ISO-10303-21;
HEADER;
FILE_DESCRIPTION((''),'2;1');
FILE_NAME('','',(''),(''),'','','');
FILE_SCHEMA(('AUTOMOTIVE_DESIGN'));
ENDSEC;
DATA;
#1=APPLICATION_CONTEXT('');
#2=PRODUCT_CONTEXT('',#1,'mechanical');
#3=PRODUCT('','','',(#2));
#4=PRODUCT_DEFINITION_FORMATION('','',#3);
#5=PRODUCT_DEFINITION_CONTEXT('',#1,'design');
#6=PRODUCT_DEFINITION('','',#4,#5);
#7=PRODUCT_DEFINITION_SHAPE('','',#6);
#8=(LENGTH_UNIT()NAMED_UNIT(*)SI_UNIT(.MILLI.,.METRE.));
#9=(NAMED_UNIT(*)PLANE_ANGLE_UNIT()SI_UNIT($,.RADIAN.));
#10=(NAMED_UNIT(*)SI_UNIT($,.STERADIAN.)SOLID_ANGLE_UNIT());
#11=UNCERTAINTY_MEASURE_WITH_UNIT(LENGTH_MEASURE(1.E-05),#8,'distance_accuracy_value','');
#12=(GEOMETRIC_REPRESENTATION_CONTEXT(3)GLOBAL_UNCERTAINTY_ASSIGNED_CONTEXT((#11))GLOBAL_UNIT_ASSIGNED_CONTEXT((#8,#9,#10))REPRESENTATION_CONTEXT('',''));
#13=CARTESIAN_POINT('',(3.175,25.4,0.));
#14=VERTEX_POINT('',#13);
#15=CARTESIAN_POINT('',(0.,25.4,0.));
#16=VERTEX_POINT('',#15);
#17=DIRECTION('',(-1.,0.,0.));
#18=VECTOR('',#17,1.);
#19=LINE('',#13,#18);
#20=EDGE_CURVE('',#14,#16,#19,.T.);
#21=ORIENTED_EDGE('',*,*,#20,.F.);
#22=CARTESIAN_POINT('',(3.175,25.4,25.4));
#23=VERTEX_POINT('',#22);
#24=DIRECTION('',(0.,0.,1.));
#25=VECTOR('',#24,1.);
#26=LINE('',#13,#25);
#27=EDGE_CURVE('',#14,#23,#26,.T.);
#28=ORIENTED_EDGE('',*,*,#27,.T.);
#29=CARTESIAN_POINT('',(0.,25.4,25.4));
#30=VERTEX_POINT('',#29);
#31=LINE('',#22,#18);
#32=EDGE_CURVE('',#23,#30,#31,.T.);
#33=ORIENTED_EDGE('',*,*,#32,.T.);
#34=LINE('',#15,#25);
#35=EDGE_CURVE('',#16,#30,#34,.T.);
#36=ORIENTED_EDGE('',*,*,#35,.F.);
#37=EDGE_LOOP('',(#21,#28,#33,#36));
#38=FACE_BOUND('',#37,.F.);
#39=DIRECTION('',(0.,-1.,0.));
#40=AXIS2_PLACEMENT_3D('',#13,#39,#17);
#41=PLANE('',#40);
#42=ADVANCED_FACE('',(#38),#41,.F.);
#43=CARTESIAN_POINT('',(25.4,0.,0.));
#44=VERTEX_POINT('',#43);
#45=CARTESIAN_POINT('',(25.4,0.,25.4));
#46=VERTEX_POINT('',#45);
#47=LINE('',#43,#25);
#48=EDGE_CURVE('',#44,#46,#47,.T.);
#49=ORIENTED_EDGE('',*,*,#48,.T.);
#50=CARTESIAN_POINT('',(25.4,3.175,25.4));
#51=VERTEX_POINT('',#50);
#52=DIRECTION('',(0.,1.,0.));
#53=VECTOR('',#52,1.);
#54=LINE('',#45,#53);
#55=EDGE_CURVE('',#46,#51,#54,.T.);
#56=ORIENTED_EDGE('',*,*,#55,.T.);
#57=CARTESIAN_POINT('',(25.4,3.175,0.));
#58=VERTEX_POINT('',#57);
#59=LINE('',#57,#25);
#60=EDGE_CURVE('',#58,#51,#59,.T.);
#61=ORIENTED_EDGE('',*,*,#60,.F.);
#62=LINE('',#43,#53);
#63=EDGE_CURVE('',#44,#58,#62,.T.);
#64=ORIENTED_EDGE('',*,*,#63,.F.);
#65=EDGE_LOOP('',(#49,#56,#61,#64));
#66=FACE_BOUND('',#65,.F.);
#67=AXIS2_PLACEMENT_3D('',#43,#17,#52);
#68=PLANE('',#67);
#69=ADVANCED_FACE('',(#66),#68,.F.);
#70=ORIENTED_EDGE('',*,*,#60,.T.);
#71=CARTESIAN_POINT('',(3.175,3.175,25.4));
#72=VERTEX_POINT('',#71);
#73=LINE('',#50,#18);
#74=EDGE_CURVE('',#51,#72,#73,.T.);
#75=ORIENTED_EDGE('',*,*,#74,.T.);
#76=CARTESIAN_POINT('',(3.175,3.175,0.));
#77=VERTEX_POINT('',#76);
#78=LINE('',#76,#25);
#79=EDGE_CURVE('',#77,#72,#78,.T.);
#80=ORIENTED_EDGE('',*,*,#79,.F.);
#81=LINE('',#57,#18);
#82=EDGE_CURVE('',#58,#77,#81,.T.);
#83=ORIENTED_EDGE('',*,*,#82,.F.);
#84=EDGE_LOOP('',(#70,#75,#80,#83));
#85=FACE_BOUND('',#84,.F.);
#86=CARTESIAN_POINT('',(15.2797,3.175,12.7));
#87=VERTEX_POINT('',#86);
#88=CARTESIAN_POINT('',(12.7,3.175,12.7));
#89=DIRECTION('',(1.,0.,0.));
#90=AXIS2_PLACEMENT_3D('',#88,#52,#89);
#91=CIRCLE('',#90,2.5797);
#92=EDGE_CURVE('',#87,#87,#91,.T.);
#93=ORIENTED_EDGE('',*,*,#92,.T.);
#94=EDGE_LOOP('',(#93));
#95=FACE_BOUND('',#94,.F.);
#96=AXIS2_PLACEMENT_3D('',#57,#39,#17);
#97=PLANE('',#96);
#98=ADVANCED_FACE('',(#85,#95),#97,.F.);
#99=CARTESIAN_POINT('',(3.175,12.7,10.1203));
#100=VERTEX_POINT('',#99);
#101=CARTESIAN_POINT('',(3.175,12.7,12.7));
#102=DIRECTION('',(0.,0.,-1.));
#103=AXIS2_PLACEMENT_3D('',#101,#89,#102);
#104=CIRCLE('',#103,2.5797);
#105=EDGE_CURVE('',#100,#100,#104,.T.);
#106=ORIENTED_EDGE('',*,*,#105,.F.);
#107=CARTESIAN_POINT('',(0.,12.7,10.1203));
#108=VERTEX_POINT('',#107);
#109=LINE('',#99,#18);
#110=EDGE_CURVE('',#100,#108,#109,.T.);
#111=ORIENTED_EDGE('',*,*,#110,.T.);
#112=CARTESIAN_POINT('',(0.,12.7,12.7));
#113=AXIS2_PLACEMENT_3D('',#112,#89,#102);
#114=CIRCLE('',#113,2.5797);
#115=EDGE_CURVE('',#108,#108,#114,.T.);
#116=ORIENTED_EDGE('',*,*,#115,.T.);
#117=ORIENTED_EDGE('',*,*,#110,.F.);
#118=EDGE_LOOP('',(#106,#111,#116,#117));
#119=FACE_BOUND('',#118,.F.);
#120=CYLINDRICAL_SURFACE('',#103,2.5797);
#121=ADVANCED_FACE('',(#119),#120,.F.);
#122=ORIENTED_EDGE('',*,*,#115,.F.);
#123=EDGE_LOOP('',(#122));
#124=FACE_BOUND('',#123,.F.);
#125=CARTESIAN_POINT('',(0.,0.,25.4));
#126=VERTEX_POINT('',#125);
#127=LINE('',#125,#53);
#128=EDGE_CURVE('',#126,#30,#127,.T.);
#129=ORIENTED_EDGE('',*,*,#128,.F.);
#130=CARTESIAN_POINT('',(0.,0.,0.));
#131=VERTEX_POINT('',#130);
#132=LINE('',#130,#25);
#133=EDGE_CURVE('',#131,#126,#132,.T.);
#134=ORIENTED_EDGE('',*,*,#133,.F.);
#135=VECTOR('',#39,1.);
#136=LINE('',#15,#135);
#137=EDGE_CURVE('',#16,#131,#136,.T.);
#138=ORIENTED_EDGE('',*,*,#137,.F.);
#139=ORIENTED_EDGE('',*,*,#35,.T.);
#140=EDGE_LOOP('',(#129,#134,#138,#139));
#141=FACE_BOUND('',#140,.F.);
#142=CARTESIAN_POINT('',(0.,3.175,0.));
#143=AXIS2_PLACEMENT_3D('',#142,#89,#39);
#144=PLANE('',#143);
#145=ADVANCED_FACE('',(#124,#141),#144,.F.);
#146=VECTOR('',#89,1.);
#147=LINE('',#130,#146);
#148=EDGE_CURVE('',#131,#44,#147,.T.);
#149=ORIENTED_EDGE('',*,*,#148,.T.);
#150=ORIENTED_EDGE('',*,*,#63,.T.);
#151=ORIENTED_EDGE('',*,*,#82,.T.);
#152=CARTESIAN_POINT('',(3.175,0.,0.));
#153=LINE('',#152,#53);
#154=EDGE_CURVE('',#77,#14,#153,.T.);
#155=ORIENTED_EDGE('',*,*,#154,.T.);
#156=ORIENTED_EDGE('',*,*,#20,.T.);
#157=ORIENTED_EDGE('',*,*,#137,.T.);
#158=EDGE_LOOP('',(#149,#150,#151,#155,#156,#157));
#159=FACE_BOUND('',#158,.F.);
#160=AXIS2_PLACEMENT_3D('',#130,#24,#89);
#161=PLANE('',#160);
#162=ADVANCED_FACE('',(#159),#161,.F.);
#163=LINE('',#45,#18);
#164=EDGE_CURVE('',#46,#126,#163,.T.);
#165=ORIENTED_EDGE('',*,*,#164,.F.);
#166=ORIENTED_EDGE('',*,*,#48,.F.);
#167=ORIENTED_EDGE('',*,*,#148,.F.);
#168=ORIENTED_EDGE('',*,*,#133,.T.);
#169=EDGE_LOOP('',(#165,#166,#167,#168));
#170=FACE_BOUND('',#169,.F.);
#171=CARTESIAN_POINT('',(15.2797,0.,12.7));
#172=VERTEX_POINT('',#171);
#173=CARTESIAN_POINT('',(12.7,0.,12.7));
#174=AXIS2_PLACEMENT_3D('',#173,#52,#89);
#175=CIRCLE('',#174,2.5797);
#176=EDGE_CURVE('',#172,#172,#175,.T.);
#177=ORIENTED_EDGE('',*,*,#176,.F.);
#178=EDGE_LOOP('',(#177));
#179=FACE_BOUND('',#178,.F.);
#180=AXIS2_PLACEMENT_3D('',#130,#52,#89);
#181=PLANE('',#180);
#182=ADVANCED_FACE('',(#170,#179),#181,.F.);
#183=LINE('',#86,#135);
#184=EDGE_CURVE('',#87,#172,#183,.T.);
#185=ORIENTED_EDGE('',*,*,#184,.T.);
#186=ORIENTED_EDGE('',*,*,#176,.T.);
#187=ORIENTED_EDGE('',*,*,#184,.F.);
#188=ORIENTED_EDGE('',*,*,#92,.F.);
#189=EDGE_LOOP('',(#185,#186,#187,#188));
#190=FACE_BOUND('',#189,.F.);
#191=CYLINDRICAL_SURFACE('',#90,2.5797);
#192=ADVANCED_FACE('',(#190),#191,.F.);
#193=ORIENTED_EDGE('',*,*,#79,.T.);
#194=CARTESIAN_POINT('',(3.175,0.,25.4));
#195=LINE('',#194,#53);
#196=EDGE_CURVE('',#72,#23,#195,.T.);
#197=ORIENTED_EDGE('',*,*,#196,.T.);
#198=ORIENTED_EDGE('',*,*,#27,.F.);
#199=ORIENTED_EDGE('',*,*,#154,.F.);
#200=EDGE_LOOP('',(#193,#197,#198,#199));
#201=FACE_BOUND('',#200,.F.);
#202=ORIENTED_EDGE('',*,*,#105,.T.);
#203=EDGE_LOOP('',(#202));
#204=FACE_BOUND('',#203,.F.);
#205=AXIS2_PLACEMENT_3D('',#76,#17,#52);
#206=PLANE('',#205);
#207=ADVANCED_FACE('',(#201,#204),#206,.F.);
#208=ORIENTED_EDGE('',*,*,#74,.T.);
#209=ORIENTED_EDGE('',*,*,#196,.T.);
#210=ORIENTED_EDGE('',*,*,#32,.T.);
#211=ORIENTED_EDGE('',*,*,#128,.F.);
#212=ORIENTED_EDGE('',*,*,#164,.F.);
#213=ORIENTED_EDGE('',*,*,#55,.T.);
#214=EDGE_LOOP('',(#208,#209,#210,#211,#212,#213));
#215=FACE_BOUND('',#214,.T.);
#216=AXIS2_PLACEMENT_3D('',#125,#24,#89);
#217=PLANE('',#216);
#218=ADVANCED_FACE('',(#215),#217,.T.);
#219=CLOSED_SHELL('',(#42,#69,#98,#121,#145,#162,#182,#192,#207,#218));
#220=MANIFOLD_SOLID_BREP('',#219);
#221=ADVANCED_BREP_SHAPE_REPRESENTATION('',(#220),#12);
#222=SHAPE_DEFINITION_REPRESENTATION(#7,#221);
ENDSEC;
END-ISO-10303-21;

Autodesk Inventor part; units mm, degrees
ref_plane "YZ Plane" through (0, 0, 0) normal (1, 0, 0) x (0, 1, 0)
ref_plane "XZ Plane" through (0, 0, 0) normal (0, 1, 0) x (-1, 0, 0)
ref_plane "XY Plane" through (0, 0, 0) normal (0, 0, 1) x (1, 0, 0)
sketch "Sketch1" plane through (0, 0, 0) normal (0, 0, 1) x (1, 0, 0)
  line L0 (0, 0) -> (3.175, 0)
  line L1 (3.175, 0) -> (3.175, 25.4)
  line L2 (3.175, 25.4) -> (0, 25.4)
  line L3 (0, 25.4) -> (0, 0)
  line L4 (0, 0) -> (25.4, 0)
  line L5 (25.4, 0) -> (25.4, 3.175)
  line L6 (25.4, 3.175) -> (0, 3.175)
  line L7 (0, 3.175) -> (0, 0)
  dimension "d0" = 3.175
  dimension "d1" = 25.4
  dimension "d2" = 25.4
  dimension "d3" = 3.175
extrude "Extrusion1" add sketch "Sketch1" along normal blind 25.4
sketch "Sketch2" plane through (3.175, 3.175, 0) normal (1, 0, 0) x (0, 0, -1)
  line L0 (0, 22.225) -> (-25.4, 22.225) projected
  line L1 (-12.7, 22.225) -> (-12.7, 9.525) construction
  line L2 (-12.7, 22.225) -> (0, 22.225) construction
  circle A0 centre (-12.7, 9.525) radius 2.5797
  point P0 (0, -3.175)
  dimension "d6" = 12.7
  dimension "d7" = 90
  dimension "d8" = 5.1594
extrude "Extrusion2" cut sketch "Sketch2" against normal blind 25.4
sketch "Sketch3" plane through (3.175, 3.175, 0) normal (0, 1, 0) x (1, 0, 0)
  line L0 (22.225, 0) -> (22.225, -25.4) construction
  line L1 (22.225, -12.7) -> (9.525, -12.7) construction
  line L2 (22.225, -12.7) -> (34.925, -12.7) construction
  circle A0 centre (9.525, -12.7) radius 2.5797
  point P0 (-3.175, 0)
  dimension "d11" = 12.7
  dimension "d12" = 180
  dimension "d13" = 5.1594
extrude "Extrusion3" cut sketch "Sketch3" against normal blind 25.4
properties part number "1x1 L-Bracket"
